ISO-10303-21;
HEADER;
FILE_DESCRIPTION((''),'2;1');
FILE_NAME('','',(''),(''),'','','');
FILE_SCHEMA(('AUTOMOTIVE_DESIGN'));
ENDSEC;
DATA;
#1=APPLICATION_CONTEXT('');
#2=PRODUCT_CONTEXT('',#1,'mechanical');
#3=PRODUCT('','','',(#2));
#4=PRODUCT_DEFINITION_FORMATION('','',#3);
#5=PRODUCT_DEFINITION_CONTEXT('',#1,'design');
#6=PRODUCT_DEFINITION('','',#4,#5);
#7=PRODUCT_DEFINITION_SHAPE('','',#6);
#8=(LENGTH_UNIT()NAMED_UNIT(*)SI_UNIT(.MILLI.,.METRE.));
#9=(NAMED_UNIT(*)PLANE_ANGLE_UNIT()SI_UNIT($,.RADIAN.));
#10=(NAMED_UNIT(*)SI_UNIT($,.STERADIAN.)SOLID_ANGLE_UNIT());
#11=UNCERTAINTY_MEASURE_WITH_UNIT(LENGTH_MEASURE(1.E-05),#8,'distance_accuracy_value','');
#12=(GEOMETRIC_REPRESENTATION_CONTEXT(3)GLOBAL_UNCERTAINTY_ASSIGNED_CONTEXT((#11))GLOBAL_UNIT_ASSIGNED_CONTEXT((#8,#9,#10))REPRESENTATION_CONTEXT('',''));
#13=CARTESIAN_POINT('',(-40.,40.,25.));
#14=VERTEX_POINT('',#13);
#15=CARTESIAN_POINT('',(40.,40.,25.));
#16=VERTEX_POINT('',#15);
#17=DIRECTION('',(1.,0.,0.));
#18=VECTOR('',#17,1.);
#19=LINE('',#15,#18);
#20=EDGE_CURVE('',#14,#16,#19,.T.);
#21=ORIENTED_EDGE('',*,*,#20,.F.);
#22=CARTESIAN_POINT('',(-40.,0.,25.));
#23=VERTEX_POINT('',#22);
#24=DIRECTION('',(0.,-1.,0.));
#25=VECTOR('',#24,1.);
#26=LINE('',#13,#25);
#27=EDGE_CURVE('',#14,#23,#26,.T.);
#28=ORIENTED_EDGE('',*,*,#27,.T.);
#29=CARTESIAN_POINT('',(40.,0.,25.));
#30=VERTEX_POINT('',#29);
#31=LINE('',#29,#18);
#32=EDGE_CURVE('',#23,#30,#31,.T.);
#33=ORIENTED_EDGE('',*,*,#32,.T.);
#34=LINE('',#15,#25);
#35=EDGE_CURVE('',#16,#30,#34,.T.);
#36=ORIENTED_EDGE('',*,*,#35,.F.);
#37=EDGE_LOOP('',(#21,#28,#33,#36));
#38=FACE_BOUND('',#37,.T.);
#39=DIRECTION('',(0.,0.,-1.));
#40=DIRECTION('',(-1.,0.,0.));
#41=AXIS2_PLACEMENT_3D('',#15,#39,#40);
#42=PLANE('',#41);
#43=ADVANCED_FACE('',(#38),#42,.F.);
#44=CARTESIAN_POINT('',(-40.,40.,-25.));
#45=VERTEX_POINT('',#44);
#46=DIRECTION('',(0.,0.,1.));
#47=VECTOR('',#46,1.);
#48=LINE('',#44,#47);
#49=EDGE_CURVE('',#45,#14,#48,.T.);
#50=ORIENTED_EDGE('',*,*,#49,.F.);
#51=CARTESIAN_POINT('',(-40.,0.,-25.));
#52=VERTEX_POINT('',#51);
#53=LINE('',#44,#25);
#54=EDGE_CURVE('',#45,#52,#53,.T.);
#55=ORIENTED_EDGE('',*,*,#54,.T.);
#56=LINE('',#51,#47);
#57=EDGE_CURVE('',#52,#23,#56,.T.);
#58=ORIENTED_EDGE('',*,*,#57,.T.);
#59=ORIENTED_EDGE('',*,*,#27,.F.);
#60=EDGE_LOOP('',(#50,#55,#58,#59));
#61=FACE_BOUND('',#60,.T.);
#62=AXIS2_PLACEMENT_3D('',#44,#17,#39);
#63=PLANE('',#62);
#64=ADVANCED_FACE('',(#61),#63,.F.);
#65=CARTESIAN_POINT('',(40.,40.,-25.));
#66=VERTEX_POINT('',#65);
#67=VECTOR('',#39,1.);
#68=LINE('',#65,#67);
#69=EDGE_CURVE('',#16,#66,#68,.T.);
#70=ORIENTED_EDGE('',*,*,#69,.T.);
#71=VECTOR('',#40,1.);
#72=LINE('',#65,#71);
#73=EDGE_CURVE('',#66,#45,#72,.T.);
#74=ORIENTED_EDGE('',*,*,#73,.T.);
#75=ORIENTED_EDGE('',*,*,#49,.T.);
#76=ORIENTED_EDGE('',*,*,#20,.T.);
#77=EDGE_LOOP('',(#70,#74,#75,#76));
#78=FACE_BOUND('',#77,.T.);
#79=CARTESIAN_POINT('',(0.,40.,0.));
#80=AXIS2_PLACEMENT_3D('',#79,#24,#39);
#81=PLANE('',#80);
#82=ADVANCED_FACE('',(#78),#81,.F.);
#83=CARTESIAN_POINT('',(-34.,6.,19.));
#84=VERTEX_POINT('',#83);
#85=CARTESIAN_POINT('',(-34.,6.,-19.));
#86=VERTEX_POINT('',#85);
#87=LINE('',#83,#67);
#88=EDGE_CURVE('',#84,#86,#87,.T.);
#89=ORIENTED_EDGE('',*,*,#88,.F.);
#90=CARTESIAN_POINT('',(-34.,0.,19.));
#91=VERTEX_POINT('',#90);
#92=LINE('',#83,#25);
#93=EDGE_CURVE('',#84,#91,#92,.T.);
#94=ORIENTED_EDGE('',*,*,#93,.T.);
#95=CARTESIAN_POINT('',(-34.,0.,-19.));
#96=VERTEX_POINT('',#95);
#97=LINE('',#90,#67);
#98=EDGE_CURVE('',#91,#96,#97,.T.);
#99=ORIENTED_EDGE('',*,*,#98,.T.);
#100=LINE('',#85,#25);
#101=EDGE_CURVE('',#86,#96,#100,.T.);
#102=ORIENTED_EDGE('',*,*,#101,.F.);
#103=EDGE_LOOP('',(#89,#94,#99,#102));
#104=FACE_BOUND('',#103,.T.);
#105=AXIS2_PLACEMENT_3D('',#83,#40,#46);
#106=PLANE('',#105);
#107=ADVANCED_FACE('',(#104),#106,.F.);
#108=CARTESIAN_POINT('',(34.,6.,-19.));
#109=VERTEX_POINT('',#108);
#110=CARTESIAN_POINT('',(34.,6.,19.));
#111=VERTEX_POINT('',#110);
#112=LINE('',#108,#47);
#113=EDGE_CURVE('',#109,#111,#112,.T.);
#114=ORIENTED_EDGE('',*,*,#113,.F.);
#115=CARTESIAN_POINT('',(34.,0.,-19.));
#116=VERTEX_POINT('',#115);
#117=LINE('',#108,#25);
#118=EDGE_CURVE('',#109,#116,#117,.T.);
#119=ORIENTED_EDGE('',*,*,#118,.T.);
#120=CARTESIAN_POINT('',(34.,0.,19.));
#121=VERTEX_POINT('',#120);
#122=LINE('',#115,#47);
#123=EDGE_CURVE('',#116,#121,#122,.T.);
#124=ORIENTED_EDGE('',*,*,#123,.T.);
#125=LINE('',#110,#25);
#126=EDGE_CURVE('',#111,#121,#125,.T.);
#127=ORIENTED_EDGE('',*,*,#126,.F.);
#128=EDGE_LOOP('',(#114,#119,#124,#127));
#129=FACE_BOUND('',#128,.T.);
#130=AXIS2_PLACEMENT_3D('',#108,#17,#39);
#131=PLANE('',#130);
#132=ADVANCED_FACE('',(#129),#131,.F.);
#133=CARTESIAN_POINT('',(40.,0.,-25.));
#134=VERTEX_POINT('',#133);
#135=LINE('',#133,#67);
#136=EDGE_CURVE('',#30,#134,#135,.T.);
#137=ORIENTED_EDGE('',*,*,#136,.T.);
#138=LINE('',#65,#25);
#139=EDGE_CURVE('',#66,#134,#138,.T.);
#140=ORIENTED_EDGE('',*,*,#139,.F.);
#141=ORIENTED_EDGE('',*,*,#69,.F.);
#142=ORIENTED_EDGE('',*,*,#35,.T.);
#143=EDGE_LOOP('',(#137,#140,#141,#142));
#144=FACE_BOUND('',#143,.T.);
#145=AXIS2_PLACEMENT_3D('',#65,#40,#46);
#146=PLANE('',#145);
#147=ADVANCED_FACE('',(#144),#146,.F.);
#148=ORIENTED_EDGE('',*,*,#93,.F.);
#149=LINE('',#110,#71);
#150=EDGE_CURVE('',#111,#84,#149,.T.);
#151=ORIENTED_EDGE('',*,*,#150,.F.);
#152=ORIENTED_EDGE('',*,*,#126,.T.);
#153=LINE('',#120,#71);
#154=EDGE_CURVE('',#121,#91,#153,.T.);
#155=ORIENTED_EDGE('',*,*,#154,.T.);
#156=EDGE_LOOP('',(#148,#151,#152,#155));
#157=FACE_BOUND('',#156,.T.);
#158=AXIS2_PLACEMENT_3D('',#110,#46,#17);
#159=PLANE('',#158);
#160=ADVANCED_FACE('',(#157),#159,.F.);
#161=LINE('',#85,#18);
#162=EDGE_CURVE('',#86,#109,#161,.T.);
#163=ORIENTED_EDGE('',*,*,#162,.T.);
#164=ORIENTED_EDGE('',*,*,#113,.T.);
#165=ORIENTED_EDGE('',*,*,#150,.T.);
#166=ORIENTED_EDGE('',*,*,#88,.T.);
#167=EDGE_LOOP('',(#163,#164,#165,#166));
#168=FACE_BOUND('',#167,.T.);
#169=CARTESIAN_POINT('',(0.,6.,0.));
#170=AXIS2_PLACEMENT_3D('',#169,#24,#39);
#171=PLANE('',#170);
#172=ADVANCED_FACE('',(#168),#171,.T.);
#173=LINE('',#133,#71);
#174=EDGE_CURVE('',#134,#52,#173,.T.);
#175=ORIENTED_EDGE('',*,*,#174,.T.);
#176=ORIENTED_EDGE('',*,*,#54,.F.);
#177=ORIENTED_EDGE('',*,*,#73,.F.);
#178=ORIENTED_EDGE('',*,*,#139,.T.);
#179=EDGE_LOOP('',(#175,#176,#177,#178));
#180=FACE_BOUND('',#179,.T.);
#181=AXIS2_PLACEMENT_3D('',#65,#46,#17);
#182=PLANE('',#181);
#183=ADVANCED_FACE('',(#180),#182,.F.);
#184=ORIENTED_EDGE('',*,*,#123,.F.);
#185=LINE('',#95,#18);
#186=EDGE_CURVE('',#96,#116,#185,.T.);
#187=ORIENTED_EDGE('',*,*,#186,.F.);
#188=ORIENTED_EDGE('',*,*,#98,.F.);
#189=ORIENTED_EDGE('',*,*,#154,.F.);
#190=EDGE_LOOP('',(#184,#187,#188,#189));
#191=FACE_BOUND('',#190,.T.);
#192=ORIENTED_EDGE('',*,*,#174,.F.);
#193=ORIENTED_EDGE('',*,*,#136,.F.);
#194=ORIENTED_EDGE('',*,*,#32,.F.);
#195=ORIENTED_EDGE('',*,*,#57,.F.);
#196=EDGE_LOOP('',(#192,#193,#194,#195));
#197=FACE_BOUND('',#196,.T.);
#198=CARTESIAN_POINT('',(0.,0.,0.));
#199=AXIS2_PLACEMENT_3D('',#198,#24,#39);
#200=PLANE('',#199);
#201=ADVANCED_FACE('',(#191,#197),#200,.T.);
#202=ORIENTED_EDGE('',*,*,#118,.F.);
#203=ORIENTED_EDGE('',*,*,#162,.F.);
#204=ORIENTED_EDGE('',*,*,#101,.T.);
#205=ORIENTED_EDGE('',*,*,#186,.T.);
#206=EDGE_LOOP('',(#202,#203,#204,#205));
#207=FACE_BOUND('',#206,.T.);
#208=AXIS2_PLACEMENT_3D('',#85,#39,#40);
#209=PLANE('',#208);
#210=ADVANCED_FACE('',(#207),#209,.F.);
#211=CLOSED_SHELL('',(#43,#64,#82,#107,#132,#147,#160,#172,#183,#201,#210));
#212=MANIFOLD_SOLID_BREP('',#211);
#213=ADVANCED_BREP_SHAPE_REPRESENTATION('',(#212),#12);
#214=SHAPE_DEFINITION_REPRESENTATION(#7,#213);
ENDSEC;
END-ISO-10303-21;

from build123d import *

# Parameters (mm, degrees)
SKETCH2_W           = 80
SKETCH2_H           = 50
BOSS_EXTRUDE1_DEPTH = 40
SKETCH3_W           = 68
SKETCH3_H           = 38
CUT_EXTRUDE1_DEPTH  = 6


with BuildPart() as part:
    # Sketch2 → Boss-Extrude1 (new body)
    with BuildSketch(Plane(origin=(0, 0, 0), x_dir=(1, 0, 0), z_dir=(0, 1, 0))):
        Rectangle(SKETCH2_W, SKETCH2_H)
    extrude(amount=BOSS_EXTRUDE1_DEPTH)

    # Sketch3 → Cut-Extrude1 (cut)
    with BuildSketch(Plane.XZ):
        Rectangle(SKETCH3_W, SKETCH3_H)
    extrude(amount=-CUT_EXTRUDE1_DEPTH, mode=Mode.SUBTRACT)


solid = part.part
